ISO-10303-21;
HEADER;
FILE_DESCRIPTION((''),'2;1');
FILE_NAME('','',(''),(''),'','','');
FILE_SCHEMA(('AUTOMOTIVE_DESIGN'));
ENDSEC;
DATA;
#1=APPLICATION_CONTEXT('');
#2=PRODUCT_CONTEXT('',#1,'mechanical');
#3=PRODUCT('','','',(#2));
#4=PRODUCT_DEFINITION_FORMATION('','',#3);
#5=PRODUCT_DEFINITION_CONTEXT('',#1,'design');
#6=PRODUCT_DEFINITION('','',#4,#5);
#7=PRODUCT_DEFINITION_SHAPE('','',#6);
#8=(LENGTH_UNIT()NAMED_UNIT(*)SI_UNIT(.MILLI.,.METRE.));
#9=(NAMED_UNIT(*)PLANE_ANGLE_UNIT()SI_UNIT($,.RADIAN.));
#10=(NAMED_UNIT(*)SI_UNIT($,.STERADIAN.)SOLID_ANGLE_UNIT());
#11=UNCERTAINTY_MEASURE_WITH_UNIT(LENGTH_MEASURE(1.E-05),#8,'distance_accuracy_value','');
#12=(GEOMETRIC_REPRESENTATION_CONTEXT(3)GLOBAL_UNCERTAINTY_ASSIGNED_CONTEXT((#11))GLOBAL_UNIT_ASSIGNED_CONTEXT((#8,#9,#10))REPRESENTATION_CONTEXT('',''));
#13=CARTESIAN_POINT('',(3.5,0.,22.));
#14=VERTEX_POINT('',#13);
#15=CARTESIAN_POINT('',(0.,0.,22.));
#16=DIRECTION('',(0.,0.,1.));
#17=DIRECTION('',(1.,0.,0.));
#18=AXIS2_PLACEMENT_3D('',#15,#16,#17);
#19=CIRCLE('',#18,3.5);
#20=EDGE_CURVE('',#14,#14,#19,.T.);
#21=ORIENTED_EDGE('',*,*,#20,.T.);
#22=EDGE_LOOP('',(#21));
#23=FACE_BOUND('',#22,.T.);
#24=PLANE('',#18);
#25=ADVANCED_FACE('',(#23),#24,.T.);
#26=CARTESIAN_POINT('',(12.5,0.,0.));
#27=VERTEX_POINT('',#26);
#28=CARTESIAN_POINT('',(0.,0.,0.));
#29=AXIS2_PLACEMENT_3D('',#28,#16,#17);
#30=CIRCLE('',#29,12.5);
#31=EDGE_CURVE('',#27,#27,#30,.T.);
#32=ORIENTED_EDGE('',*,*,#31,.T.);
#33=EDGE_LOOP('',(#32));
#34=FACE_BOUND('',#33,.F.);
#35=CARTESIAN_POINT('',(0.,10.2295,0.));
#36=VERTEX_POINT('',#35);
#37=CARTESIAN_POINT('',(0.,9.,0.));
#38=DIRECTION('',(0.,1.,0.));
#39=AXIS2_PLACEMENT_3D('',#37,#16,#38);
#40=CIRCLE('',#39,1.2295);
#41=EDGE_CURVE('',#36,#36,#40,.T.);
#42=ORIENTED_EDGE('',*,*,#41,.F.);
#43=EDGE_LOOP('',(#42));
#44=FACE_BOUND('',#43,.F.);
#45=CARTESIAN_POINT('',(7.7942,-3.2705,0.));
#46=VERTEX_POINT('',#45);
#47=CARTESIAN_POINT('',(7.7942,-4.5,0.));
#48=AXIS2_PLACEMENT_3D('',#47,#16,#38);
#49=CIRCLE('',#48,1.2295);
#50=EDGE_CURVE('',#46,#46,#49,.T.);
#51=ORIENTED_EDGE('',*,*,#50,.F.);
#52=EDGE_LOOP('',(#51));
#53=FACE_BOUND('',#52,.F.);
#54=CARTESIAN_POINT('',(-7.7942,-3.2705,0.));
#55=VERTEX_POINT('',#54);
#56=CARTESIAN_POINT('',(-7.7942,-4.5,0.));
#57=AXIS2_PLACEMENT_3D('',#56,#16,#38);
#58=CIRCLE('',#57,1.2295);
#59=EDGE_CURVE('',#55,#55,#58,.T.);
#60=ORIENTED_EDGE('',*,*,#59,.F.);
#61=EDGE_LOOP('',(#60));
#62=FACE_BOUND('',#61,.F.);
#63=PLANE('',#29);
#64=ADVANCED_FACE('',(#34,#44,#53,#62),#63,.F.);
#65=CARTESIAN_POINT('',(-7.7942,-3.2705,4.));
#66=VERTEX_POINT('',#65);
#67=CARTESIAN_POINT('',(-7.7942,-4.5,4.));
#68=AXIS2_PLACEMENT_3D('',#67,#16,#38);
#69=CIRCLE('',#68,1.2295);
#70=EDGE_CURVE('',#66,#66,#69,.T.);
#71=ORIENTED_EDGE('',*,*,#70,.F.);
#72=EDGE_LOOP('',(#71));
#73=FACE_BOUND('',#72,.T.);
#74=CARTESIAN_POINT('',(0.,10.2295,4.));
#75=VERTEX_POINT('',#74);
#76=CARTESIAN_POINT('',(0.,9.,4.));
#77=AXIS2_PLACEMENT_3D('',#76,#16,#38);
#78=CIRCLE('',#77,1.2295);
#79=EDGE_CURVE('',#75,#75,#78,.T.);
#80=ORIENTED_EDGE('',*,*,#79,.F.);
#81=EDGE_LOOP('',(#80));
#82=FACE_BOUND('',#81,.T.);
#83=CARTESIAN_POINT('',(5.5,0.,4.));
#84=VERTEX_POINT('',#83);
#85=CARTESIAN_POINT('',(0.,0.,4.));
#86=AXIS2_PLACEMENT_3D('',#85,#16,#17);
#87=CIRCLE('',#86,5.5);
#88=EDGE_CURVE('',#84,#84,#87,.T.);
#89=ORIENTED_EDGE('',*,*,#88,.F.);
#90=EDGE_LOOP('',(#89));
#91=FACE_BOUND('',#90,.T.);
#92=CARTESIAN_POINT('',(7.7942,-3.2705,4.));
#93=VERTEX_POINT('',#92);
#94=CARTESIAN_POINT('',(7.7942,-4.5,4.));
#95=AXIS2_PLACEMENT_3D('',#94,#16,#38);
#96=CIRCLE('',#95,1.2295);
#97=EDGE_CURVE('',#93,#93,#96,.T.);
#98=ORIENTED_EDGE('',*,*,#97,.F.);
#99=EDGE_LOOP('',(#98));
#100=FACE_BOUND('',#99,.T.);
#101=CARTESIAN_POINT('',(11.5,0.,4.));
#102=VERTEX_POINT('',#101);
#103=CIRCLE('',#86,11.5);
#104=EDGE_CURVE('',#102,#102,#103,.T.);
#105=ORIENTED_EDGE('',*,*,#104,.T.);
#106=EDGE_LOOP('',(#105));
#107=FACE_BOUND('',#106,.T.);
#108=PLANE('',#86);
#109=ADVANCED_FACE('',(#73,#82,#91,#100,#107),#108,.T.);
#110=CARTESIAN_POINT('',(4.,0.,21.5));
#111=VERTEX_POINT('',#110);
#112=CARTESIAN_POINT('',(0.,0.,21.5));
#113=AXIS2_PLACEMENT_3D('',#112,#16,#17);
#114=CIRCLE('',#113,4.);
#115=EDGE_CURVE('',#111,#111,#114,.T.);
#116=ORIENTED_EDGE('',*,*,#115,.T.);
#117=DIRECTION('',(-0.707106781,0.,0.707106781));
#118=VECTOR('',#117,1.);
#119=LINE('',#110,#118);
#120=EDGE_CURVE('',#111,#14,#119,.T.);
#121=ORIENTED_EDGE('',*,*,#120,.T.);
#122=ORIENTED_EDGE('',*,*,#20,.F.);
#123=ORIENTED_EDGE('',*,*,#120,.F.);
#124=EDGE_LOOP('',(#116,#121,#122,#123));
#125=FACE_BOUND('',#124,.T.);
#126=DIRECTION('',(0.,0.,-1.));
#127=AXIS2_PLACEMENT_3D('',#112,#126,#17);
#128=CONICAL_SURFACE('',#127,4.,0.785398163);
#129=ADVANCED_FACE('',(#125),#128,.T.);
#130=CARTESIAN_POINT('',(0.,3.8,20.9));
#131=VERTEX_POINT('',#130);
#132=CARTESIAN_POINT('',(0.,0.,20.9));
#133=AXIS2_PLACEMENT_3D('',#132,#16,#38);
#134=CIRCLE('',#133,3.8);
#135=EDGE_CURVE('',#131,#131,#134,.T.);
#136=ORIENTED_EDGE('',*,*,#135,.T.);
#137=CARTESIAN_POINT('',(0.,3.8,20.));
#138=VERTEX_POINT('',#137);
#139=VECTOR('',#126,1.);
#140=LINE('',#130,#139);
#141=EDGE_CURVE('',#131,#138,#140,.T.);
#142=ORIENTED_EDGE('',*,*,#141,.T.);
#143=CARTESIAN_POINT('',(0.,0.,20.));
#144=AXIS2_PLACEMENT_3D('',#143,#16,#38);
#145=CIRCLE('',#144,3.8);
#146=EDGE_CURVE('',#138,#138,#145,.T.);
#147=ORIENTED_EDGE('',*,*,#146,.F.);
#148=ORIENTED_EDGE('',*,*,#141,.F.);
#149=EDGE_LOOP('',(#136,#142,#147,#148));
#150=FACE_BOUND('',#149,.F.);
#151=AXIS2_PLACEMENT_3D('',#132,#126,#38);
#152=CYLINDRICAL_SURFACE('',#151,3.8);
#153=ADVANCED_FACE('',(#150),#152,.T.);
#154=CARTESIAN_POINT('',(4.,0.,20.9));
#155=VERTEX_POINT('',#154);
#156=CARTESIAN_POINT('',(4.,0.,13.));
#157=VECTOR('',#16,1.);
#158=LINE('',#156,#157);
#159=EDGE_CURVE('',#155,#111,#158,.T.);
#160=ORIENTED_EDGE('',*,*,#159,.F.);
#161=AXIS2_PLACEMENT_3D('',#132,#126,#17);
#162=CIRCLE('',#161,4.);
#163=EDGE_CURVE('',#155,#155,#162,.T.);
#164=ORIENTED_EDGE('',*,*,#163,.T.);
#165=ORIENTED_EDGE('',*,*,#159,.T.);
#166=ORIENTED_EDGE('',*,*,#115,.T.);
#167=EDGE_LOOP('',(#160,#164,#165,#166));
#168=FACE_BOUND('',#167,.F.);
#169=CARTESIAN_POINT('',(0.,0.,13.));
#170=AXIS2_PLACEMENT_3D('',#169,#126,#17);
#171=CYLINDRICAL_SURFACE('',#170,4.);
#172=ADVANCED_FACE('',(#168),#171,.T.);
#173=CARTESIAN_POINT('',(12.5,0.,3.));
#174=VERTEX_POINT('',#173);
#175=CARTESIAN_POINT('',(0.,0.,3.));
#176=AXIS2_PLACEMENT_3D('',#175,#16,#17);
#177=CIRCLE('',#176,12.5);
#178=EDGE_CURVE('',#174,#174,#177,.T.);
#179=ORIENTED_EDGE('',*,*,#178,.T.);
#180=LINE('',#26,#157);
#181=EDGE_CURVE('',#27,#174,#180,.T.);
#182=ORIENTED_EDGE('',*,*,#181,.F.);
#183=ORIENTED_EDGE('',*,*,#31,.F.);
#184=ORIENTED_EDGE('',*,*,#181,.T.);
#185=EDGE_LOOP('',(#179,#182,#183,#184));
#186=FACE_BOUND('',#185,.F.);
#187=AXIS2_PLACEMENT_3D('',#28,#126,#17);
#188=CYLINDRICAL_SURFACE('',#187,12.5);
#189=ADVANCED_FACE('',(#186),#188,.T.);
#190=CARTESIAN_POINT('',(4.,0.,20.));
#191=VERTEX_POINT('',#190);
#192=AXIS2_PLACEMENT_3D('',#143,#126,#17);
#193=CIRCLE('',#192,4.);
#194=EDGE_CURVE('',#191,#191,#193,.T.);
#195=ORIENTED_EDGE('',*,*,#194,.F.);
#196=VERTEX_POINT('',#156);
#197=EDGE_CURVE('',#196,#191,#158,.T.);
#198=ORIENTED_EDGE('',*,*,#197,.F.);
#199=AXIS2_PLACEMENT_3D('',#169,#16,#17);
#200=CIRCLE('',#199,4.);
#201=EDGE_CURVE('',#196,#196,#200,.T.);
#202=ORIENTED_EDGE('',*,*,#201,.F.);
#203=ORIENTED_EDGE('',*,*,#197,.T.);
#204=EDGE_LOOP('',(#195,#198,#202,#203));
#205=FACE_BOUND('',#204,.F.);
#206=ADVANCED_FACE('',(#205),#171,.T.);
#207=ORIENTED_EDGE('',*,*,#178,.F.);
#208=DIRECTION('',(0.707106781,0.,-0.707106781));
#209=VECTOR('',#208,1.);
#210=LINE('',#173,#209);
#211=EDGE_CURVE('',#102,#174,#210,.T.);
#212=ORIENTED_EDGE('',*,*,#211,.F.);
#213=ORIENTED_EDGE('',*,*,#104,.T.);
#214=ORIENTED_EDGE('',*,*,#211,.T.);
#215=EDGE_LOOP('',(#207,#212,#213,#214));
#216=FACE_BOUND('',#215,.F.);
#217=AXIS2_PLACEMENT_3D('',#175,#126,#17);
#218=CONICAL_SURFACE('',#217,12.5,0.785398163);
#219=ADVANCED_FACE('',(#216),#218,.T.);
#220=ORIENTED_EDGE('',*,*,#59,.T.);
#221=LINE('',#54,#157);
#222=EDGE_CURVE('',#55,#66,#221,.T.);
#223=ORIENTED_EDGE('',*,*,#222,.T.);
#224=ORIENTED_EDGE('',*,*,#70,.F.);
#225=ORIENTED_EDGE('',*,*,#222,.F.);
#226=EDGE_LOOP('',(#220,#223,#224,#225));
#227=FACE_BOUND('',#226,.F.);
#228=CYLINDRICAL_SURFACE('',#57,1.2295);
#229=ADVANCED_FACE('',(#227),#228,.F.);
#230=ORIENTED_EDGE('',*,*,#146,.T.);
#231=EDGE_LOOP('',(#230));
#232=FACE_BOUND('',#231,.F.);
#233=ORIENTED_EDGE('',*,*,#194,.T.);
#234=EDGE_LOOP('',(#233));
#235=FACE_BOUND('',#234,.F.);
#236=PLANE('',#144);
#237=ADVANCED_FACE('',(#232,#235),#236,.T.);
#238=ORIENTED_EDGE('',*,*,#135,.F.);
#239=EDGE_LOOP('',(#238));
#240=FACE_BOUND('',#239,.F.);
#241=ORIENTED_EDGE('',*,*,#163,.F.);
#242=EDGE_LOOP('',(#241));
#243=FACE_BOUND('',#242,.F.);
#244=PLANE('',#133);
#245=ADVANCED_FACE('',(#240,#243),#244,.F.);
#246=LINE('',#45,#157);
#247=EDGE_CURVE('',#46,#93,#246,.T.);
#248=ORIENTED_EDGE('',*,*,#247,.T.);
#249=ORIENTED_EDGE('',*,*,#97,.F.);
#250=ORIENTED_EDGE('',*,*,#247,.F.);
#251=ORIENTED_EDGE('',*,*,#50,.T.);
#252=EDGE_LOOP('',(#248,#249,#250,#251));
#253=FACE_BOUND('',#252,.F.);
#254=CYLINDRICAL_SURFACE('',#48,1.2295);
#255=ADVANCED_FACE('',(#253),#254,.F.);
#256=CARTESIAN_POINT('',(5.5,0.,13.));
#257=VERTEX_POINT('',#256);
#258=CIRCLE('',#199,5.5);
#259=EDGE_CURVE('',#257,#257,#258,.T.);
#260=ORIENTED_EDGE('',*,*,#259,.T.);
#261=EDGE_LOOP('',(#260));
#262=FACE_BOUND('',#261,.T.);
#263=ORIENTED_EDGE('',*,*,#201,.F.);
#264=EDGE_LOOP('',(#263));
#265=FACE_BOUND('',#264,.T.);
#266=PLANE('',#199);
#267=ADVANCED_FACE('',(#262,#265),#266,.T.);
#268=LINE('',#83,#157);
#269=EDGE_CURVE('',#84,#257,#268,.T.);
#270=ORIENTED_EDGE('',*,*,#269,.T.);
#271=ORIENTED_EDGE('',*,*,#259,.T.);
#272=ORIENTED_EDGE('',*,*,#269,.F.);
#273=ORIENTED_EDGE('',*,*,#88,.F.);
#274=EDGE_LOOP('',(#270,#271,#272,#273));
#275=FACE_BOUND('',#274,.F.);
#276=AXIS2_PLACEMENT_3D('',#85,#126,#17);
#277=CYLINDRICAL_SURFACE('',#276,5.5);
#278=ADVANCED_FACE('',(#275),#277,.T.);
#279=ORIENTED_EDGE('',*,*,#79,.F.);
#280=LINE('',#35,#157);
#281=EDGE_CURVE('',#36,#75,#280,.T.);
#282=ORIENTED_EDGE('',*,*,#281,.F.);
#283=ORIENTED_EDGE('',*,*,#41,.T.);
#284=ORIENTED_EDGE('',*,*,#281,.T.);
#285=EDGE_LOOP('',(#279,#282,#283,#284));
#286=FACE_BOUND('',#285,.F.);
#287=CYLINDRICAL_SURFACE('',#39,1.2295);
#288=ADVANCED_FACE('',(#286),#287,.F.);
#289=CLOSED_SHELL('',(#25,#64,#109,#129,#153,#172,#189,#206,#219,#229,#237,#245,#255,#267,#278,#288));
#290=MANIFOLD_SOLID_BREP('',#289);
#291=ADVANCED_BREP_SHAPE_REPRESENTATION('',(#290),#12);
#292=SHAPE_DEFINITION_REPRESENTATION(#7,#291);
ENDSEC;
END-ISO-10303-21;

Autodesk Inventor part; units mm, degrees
ref_plane "YZ Plane" through (0, 0, 0) normal (1, 0, 0) x (0, 1, 0)
ref_plane "XZ Plane" through (0, 0, 0) normal (0, 1, 0) x (-1, 0, 0)
ref_plane "XY Plane" through (0, 0, 0) normal (0, 0, 1) x (1, 0, 0)
sketch "Skizze1" plane through (0, 0, 0) normal (0, 0, 1) x (1, 0, 0)
  circle A0 centre (0, 0) radius 12.5
  dimension "d0" = 25
extrude "Extrusion1" add sketch "Skizze1" along normal blind 4
sketch "Skizze2" plane through (0, 0, 4) normal (0, 0, 1) x (1, 0, 0)
  circle A0 centre (0, 0) radius 12.5 projected
  circle A1 centre (0, 0) radius 5.5
  dimension "d3" = 11
extrude "Extrusion2" add sketch "Skizze2" along normal blind 9 contours A1
sketch "Skizze3" plane through (0, 0, 13) normal (0, 0, 1) x (1, 0, 0)
  circle A0 centre (0, 0) radius 5.5 projected
  circle A1 centre (0, 0) radius 4
  dimension "d6" = 8
extrude "Extrusion3" add sketch "Skizze3" along normal blind 9 contours A1
sketch "Skizze4" plane through (0, 0, 0) normal (0, 0, -1) x (-1, 0, 0)
  circle A0 centre (0, 0) radius 12.5 projected
  line L0 (17.5, 0) -> (-17.5, 0) projected
  line L1 (0, -17.5) -> (0, 17.5) projected
  circle A1 centre (0, 0) radius 9
  line L2 (7.7942, -4.5) -> (0, 0)
  line L3 (0, 0) -> (-7.7942, -4.5)
  point P0 (0, 9)
  dimension "d9" = 18
  dimension "d10" = 120
  dimension "d11" = 120
hole "Bohrung1" at (0, 9, 0) at (-7.7942, -4.5, 0) at (7.7942, -4.5, 0) direction (0, 0, 1) diameter 2.459 end through all thread size "M3x0.5" class "6H" standard "ISO Metric profile"
chamfer "Fase1" distance 0.5 angle 45 1 edges at (-4, 0, 22)
sketch "Skizze5" plane through (0, 0, 0) normal (1, 0, 0) x (0, 1, 0)
  line L0 (-4, 13) -> (4, 13) projected
  line L1 (4, 21.5) -> (-4, 21.5) projected
  line L2 (4, 13) -> (4, 21.5) projected
  line L3 (0, -4.3) -> (0, 25.8) projected
  line L4 (4, 20.9) -> (3.8, 20.9)
  line L5 (3.8, 20.9) -> (3.8, 20)
  line L6 (3.8, 20) -> (4, 20)
  line L7 (4, 20) -> (4, 20.9)
  point P0 (0, 0)
  dimension "d31" = 7
  dimension "d32" = 0.9
  dimension "d33" = 7.6
revolve "Umdrehung1" cut sketch "Skizze5" angle 360 about axis through (0, 0, -10) along (0, 0, 1) contours L6 L5 L4 L2
chamfer "Fase3" distance 1 angle 45 1 edges at (-12.5, 0, 4)
properties part number "1_0204_005"
